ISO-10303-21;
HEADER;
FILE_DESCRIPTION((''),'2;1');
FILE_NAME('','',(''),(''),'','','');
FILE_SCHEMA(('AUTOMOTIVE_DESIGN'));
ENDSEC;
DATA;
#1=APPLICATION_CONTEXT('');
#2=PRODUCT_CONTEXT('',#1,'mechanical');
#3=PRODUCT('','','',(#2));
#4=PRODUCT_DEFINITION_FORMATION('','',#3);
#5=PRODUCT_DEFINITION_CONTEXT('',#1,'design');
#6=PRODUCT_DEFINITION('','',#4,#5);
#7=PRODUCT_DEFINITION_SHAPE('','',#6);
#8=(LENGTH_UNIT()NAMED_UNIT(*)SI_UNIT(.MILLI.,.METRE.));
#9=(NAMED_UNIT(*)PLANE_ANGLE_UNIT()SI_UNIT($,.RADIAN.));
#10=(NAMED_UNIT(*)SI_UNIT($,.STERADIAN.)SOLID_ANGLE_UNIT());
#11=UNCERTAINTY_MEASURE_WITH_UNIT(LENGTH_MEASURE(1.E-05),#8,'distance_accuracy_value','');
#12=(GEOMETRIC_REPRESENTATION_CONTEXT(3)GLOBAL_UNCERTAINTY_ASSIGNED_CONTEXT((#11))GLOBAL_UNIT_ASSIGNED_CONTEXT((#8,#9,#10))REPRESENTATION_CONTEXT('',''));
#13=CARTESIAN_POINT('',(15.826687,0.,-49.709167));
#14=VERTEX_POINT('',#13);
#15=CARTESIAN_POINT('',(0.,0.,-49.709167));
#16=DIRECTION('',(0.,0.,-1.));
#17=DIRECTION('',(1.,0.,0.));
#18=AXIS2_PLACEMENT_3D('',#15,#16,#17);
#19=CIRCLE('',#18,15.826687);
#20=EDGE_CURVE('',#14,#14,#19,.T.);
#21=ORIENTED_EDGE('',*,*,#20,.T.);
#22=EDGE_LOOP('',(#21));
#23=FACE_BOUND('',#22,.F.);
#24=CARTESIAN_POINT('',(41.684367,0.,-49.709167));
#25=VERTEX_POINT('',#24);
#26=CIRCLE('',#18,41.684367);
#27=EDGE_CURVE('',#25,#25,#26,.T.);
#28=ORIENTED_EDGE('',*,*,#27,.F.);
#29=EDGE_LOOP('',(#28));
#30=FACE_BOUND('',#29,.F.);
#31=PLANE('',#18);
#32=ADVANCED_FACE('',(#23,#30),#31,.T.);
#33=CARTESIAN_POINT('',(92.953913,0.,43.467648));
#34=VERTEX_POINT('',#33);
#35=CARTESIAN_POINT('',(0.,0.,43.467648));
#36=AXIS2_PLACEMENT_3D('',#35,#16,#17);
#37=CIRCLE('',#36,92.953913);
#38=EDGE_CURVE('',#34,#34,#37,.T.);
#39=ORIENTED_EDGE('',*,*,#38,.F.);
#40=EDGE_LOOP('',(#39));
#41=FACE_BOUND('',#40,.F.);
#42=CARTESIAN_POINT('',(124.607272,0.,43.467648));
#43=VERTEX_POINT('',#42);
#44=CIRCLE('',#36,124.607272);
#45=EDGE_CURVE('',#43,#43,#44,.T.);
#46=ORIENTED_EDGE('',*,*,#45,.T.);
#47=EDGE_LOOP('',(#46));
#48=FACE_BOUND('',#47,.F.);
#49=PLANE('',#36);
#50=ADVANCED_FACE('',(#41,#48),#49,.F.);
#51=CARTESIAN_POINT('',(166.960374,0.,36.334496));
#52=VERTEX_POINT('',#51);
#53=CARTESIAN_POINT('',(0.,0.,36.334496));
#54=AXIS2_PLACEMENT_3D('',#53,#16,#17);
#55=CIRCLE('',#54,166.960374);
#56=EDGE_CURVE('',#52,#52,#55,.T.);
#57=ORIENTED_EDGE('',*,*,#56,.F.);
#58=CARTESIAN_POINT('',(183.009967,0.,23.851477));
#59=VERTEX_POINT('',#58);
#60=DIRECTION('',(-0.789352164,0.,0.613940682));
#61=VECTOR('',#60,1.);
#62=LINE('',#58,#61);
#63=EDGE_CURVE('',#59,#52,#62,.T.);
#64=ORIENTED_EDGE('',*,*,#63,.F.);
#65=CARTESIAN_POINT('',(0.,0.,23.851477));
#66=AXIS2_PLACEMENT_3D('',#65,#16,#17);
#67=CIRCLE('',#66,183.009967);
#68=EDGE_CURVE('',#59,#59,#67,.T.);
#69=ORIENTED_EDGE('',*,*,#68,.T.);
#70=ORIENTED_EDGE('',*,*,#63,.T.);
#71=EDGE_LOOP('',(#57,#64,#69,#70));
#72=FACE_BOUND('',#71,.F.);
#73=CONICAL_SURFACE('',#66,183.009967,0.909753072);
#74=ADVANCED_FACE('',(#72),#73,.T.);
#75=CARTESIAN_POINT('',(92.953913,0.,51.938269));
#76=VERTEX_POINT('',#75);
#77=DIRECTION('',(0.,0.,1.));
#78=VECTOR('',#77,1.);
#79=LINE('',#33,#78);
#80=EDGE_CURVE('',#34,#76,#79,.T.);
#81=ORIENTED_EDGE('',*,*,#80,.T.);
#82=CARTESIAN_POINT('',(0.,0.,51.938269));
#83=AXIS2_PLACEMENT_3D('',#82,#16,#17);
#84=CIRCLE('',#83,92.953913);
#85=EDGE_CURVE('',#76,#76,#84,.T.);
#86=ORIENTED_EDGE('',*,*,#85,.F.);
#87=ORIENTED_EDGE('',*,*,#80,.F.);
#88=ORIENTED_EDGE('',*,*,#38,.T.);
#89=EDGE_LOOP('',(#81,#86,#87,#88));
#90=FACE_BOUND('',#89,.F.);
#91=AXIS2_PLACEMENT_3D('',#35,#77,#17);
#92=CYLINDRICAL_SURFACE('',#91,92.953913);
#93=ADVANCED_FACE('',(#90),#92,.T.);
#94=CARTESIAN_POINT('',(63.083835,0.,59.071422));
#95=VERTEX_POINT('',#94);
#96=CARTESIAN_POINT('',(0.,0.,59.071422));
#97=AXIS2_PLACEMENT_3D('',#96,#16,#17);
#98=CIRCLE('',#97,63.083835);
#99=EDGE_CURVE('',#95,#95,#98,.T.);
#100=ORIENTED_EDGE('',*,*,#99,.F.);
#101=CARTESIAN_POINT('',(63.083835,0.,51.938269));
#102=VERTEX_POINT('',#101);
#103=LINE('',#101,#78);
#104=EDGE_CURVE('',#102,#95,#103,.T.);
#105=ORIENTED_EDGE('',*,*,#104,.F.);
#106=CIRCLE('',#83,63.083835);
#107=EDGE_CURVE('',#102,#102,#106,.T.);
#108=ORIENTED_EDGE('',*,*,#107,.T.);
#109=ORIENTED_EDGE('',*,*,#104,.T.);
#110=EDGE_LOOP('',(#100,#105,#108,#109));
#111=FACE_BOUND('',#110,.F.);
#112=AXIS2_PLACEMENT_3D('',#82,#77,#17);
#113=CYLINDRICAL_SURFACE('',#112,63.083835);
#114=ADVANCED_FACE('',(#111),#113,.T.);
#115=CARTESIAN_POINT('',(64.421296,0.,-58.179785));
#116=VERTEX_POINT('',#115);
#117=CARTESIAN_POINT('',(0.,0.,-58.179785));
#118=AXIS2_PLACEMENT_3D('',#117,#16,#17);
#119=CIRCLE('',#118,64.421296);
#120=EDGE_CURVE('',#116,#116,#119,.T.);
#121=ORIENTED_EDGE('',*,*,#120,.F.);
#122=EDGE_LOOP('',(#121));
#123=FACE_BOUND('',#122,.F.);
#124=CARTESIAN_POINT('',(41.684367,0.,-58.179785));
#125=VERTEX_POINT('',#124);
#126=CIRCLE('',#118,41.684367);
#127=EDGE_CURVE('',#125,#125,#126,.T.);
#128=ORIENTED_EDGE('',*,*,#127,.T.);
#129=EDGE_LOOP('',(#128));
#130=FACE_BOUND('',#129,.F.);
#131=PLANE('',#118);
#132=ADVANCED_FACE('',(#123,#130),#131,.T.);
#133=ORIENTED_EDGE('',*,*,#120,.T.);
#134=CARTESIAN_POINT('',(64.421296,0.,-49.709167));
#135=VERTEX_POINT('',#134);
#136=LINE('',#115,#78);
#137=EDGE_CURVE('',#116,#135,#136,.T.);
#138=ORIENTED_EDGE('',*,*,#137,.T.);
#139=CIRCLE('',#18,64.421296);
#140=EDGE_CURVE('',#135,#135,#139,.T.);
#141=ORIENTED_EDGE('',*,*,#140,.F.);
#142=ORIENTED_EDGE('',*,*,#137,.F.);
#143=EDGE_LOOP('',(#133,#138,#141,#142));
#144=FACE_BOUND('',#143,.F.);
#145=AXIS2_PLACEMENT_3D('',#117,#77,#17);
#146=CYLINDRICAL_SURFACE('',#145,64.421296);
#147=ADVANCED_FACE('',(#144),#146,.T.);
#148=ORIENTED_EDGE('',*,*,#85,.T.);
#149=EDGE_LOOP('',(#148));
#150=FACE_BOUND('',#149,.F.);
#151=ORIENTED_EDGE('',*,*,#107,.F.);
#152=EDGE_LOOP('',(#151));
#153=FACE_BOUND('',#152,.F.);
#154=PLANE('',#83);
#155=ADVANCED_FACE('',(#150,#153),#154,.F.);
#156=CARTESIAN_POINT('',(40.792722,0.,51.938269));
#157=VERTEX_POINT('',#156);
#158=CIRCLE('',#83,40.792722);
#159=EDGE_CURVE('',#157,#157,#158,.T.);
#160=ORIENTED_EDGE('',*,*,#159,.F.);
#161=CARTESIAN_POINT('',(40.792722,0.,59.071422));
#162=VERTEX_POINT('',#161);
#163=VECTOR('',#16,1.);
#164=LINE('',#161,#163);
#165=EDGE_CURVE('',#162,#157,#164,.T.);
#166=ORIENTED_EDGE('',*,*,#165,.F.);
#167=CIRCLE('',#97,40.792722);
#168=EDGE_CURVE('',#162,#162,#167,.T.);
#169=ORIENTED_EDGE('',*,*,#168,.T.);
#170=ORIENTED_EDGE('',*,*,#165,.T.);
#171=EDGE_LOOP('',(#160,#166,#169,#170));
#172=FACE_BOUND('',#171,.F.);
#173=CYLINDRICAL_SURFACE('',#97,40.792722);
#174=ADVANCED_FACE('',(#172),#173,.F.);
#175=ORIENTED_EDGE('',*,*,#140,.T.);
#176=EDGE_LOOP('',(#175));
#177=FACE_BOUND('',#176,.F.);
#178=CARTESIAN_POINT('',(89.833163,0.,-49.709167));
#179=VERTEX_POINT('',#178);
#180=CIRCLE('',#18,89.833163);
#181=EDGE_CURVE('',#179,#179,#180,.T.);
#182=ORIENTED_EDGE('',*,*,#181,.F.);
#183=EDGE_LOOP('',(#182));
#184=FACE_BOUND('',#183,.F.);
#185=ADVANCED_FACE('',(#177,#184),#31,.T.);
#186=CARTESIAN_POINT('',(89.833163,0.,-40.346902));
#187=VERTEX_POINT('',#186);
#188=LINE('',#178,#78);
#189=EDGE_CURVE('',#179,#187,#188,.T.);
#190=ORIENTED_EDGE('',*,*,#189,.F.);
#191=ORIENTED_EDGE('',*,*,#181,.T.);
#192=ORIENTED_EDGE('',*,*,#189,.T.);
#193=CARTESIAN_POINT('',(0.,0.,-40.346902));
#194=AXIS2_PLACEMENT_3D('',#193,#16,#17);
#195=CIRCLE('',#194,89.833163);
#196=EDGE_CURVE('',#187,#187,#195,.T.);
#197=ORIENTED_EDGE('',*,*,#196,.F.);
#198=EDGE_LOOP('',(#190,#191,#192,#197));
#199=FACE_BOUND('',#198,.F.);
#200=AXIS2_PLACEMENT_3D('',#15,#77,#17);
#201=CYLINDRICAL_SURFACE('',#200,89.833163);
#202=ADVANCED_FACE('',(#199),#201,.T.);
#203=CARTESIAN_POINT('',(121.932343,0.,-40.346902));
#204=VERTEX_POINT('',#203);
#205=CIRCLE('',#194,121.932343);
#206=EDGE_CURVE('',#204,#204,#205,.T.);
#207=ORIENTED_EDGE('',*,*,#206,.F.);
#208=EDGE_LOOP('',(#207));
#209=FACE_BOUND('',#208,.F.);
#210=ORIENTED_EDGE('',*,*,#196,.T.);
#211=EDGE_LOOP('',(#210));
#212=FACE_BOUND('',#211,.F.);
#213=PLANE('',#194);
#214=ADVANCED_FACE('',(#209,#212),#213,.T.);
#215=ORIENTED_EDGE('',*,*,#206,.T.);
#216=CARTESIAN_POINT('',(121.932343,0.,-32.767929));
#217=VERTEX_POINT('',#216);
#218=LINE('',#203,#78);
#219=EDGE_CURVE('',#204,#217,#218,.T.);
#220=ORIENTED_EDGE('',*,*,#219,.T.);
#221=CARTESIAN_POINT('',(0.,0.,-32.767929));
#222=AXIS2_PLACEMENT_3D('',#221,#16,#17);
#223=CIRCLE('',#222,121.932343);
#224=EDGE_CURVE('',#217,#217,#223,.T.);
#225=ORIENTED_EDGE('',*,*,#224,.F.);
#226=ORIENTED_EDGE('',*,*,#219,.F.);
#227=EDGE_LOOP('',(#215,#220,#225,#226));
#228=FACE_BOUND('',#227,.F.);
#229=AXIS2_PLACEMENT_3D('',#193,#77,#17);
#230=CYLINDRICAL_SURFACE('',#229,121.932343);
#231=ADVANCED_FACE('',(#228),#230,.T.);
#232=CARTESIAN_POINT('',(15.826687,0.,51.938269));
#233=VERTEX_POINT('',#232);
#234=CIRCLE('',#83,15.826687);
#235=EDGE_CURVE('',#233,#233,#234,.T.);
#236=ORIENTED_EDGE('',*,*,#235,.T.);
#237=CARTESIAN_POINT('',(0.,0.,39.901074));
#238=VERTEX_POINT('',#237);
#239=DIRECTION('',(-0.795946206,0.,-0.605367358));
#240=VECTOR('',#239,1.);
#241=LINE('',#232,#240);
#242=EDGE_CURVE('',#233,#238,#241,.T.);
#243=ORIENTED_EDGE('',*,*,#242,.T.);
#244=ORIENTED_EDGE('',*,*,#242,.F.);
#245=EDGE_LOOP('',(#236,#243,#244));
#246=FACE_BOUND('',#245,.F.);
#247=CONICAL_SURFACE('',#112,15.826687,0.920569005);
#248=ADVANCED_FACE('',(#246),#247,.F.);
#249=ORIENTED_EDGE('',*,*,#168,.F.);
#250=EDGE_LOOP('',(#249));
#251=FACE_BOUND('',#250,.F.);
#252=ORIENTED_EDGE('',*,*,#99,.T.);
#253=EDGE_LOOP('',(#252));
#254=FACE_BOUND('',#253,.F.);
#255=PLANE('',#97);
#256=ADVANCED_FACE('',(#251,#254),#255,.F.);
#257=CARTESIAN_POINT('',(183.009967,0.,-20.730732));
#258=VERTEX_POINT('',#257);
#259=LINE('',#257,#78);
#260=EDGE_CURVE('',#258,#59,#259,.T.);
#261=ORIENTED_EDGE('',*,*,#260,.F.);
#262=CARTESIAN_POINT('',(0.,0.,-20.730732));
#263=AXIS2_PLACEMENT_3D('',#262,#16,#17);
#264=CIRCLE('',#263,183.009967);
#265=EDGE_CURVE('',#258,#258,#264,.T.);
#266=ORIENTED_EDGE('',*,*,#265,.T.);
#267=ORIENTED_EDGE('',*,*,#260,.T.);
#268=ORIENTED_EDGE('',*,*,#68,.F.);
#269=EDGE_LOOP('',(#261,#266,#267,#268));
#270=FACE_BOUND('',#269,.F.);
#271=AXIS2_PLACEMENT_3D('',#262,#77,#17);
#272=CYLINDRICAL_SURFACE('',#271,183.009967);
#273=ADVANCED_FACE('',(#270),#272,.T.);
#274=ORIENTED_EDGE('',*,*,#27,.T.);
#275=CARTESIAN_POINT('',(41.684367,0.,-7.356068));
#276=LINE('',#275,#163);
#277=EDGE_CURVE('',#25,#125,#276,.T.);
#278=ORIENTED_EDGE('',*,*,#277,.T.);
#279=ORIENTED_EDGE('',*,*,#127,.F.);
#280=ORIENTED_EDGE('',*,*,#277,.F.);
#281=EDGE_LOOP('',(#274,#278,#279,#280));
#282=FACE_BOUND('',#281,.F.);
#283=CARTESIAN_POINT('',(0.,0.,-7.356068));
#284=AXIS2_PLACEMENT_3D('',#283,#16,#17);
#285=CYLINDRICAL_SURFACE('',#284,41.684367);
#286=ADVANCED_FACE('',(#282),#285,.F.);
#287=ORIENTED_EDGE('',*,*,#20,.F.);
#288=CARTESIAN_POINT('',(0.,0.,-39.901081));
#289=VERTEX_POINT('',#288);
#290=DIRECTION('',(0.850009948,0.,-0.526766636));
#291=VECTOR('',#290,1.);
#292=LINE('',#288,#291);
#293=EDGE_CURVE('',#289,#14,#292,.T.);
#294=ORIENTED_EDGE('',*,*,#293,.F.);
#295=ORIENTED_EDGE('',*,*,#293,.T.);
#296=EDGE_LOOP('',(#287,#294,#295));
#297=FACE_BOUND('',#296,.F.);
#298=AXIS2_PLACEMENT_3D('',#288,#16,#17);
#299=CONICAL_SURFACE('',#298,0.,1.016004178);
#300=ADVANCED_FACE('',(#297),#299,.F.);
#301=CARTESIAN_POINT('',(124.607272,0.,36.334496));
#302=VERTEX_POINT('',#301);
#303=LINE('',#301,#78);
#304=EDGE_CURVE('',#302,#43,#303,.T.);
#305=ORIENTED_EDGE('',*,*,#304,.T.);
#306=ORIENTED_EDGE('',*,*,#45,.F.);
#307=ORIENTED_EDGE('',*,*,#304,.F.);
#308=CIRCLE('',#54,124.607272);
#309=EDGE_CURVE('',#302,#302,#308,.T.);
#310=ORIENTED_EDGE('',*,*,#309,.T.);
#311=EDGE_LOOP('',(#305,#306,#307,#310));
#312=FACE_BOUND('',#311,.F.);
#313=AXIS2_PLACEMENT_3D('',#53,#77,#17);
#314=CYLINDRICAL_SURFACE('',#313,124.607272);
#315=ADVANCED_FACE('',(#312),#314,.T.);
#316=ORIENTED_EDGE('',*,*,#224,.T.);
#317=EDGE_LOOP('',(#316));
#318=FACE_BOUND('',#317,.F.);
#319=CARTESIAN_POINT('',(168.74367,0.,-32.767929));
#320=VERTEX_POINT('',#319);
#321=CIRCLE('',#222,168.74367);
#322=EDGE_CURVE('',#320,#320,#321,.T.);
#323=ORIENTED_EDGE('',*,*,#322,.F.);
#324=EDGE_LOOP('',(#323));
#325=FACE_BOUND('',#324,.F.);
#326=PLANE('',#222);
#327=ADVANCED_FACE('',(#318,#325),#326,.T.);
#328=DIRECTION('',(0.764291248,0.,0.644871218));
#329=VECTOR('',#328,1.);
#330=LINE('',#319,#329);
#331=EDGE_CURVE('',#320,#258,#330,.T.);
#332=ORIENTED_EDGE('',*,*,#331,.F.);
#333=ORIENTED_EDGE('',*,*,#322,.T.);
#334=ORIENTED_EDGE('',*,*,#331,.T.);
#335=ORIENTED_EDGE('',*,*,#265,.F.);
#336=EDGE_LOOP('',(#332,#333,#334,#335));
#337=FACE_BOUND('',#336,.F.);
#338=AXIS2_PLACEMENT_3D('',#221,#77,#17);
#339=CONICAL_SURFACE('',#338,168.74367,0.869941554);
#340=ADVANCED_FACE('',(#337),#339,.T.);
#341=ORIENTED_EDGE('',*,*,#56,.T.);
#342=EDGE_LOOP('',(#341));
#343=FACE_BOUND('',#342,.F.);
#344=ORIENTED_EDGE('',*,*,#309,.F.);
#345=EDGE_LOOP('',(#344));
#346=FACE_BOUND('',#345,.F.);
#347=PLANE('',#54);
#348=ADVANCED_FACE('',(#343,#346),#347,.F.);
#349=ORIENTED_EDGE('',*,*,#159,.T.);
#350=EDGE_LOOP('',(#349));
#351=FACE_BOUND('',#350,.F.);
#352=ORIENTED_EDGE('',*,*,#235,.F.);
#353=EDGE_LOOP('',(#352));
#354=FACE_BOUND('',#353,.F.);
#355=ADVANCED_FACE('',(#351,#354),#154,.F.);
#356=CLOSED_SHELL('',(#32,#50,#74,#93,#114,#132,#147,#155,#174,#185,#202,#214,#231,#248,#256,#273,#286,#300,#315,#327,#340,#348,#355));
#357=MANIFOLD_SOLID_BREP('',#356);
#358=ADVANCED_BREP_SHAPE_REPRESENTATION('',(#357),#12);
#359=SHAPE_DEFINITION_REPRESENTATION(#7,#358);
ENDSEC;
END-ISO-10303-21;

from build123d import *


with BuildPart() as f1:
    # F0 (on Front) → F1 (revolve)
    with BuildSketch(Plane.XZ):
        Polygon((64.421296, -7.356068), (41.684367, -7.356068), (41.684367, -45.696769), (41.684367, -49.709167), (41.684367, -58.179785), (64.421296, -58.179785), (64.421296, -49.709167), align=None)
        Polygon((63.083835, 51.938269), (63.083835, 17.164147), (92.062272, 17.164147), (92.953913, 43.467648), (92.953913, 51.938269), align=None)
        Polygon((92.953913, 43.467648), (92.062272, 17.164147), (106.328569, 17.164147), (115.358189, 6.462383), (123.450934, 6.462383), (124.607272, 36.334496), (124.607272, 43.467648), align=None)
        Polygon((123.450934, 6.462383), (115.358189, 6.462383), (106.328569, -7.356068), (89.833163, -7.356068), (89.833163, -40.346902), (121.932343, -40.346902), (121.932343, -32.767929), align=None)
        Polygon((183.009967, 6.462383), (123.450934, 6.462383), (121.932343, -32.767929), (168.74367, -32.767929), (183.009967, -20.730732), align=None)
        Polygon((89.833163, -7.356068), (64.421296, -7.356068), (64.421296, -49.709167), (89.833163, -49.709167), (89.833163, -40.346902), align=None)
        Polygon((40.792722, 17.164147), (0, 17.164147), (0, 8.693527), (92.062272, 8.693527), (99.641241, 5.12695), (91.170624, 0), (0, 0), (0, -7.356068), (41.684367, -7.356068), (64.421296, -7.356068), (89.833163, -7.356068), (106.328569, -7.356068), (115.358189, 6.462383), (106.328569, 17.164147), (92.062272, 17.164147), (63.083835, 17.164147), align=None)
        Polygon((40.792722, 51.938269), (40.792722, 17.164147), (63.083835, 17.164147), (63.083835, 51.938269), (63.083835, 59.071422), (40.792722, 59.071422), align=None)
        Polygon((124.607272, 36.334496), (123.450934, 6.462383), (183.009967, 6.462383), (183.009967, 23.851477), (166.960374, 36.334496), align=None)
        Polygon((92.062272, 8.693527), (0, 8.693527), (0, 0), (91.170624, 0), (99.641241, 5.12695), align=None)
        Polygon((41.684367, -7.356068), (0, -7.356068), (0, -39.901081), (15.826687, -49.709167), (41.684367, -49.709167), (41.684367, -45.696769), align=None)
        Polygon((15.826687, 51.938269), (0, 39.901074), (0, 17.164147), (40.792722, 17.164147), (40.792722, 51.938269), align=None)
    revolve(axis=Axis((0, 0, -4e-06), (0, 0, -1)))


solid = f1.part
